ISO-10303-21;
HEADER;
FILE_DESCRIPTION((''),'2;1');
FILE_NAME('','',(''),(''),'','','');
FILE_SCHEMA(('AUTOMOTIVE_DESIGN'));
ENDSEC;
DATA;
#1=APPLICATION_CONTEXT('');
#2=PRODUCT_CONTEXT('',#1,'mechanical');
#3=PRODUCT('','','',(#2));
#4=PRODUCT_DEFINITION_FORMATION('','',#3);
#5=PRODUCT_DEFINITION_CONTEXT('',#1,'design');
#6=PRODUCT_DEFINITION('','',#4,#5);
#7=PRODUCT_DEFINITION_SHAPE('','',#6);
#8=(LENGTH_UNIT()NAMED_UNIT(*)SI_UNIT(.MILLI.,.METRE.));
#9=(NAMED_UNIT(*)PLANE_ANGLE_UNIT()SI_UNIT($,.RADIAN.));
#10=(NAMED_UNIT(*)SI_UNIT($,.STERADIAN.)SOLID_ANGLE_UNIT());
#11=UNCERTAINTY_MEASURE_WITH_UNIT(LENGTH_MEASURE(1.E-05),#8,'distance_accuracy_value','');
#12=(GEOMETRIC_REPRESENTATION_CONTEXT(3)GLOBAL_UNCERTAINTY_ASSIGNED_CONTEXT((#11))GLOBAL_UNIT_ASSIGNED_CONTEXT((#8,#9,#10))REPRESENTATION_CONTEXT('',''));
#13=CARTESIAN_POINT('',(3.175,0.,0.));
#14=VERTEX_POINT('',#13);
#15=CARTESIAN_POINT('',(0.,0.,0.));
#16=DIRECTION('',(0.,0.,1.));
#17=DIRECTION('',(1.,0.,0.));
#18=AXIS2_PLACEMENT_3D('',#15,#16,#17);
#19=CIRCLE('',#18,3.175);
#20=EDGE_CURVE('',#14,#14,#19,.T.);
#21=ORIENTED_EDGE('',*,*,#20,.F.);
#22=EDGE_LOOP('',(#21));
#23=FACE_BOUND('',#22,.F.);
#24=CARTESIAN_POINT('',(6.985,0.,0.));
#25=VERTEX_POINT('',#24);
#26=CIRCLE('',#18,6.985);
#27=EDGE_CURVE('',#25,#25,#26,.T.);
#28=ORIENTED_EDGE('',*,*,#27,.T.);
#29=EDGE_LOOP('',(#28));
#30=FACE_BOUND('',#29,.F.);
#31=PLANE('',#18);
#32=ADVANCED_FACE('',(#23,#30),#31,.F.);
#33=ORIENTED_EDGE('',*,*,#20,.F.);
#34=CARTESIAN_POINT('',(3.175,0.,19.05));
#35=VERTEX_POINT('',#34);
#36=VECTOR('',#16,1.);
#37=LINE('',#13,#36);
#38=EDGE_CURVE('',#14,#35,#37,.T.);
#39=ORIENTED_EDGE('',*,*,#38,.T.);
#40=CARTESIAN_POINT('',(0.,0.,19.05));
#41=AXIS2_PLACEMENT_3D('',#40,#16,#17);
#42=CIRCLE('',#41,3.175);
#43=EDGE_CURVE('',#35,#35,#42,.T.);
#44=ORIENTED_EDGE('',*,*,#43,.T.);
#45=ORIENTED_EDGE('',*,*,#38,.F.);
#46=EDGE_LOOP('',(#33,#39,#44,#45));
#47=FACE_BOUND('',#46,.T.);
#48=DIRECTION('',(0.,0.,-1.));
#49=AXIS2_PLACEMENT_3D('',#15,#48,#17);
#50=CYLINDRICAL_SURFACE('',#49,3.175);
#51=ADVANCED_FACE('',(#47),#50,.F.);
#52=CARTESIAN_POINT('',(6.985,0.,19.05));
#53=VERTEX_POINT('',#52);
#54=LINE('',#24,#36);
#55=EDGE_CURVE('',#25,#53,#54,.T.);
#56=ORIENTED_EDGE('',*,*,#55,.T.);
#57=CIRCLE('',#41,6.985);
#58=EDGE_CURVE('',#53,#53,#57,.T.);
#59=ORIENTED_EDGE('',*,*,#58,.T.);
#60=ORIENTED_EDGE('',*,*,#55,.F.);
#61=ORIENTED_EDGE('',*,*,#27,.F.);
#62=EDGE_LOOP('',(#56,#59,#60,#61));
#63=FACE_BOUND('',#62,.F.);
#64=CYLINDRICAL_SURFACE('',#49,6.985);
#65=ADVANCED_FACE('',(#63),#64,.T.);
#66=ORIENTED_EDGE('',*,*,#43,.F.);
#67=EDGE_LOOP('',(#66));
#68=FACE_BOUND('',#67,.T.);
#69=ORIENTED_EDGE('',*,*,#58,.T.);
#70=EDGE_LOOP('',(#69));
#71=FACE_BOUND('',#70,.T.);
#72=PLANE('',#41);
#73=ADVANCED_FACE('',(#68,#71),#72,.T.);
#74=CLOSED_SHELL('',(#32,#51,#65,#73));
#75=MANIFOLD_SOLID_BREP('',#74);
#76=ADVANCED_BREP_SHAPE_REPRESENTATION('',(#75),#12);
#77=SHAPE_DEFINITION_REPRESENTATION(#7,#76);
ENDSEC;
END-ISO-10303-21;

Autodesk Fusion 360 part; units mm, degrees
sketch "Sketch1" plane through (0, 0, 0) normal (0, 0, 1) x (1, 0, 0)
  circle A0 centre (0, 0) radius 6.985
  circle A1 centre (0, 0) radius 3.175
  dimension "d1" = 13.97
  dimension "d2" = 6.35
extrude "Extrude1" add sketch "Sketch1" along normal blind 19.05
